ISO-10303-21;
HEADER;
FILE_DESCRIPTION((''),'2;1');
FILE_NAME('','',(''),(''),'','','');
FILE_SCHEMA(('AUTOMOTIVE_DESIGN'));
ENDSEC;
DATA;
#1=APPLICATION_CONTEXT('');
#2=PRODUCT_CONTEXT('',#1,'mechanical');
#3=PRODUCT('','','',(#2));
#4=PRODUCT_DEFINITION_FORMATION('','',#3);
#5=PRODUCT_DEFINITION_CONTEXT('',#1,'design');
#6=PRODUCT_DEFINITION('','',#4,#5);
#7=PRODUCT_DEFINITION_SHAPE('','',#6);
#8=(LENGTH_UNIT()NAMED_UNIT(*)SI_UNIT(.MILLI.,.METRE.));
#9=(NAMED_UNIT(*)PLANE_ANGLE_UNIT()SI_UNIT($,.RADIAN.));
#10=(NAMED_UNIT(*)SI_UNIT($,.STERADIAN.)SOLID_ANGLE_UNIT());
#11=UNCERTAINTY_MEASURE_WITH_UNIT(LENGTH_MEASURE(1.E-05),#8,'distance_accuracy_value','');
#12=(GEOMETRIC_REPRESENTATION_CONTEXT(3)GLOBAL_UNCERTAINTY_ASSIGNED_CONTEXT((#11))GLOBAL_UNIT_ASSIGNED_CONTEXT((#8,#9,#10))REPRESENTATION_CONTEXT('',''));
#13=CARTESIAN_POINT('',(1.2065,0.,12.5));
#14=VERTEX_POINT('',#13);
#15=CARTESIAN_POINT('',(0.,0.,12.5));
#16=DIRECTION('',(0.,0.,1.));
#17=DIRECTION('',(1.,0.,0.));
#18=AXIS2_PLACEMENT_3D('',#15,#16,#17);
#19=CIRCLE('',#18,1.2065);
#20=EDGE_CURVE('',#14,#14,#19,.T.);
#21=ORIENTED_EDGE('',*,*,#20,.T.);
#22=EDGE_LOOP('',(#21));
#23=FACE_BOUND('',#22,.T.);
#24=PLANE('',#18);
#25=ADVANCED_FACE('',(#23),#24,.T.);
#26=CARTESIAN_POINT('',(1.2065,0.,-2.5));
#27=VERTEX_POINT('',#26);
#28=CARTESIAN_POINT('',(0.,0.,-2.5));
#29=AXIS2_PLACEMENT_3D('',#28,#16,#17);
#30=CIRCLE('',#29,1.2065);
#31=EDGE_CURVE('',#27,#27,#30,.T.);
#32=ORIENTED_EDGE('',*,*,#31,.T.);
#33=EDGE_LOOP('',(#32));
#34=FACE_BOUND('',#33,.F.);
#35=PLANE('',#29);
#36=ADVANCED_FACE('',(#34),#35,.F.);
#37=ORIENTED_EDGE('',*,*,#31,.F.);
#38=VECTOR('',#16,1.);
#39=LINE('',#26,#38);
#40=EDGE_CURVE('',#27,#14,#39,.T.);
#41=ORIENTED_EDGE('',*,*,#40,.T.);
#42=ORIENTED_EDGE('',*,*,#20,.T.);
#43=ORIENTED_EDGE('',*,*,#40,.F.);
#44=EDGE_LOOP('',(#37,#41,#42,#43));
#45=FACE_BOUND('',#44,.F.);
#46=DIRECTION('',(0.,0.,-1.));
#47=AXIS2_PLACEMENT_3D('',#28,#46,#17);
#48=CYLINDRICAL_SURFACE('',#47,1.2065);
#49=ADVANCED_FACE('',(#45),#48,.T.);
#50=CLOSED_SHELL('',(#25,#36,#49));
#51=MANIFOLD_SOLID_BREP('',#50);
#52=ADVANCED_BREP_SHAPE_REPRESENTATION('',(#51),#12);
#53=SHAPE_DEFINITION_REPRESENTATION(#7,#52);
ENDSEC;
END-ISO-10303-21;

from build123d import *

# Parameters (mm, degrees)
CYLINDER_R     = 1.2065
CYLINDER_DEPTH = 15


with BuildPart() as part:
    # Cylinder → Cylinder (new body)
    with BuildSketch(Plane.XY.offset(-2.5)):
        Circle(CYLINDER_R)
    extrude(amount=CYLINDER_DEPTH)


solid = part.part
